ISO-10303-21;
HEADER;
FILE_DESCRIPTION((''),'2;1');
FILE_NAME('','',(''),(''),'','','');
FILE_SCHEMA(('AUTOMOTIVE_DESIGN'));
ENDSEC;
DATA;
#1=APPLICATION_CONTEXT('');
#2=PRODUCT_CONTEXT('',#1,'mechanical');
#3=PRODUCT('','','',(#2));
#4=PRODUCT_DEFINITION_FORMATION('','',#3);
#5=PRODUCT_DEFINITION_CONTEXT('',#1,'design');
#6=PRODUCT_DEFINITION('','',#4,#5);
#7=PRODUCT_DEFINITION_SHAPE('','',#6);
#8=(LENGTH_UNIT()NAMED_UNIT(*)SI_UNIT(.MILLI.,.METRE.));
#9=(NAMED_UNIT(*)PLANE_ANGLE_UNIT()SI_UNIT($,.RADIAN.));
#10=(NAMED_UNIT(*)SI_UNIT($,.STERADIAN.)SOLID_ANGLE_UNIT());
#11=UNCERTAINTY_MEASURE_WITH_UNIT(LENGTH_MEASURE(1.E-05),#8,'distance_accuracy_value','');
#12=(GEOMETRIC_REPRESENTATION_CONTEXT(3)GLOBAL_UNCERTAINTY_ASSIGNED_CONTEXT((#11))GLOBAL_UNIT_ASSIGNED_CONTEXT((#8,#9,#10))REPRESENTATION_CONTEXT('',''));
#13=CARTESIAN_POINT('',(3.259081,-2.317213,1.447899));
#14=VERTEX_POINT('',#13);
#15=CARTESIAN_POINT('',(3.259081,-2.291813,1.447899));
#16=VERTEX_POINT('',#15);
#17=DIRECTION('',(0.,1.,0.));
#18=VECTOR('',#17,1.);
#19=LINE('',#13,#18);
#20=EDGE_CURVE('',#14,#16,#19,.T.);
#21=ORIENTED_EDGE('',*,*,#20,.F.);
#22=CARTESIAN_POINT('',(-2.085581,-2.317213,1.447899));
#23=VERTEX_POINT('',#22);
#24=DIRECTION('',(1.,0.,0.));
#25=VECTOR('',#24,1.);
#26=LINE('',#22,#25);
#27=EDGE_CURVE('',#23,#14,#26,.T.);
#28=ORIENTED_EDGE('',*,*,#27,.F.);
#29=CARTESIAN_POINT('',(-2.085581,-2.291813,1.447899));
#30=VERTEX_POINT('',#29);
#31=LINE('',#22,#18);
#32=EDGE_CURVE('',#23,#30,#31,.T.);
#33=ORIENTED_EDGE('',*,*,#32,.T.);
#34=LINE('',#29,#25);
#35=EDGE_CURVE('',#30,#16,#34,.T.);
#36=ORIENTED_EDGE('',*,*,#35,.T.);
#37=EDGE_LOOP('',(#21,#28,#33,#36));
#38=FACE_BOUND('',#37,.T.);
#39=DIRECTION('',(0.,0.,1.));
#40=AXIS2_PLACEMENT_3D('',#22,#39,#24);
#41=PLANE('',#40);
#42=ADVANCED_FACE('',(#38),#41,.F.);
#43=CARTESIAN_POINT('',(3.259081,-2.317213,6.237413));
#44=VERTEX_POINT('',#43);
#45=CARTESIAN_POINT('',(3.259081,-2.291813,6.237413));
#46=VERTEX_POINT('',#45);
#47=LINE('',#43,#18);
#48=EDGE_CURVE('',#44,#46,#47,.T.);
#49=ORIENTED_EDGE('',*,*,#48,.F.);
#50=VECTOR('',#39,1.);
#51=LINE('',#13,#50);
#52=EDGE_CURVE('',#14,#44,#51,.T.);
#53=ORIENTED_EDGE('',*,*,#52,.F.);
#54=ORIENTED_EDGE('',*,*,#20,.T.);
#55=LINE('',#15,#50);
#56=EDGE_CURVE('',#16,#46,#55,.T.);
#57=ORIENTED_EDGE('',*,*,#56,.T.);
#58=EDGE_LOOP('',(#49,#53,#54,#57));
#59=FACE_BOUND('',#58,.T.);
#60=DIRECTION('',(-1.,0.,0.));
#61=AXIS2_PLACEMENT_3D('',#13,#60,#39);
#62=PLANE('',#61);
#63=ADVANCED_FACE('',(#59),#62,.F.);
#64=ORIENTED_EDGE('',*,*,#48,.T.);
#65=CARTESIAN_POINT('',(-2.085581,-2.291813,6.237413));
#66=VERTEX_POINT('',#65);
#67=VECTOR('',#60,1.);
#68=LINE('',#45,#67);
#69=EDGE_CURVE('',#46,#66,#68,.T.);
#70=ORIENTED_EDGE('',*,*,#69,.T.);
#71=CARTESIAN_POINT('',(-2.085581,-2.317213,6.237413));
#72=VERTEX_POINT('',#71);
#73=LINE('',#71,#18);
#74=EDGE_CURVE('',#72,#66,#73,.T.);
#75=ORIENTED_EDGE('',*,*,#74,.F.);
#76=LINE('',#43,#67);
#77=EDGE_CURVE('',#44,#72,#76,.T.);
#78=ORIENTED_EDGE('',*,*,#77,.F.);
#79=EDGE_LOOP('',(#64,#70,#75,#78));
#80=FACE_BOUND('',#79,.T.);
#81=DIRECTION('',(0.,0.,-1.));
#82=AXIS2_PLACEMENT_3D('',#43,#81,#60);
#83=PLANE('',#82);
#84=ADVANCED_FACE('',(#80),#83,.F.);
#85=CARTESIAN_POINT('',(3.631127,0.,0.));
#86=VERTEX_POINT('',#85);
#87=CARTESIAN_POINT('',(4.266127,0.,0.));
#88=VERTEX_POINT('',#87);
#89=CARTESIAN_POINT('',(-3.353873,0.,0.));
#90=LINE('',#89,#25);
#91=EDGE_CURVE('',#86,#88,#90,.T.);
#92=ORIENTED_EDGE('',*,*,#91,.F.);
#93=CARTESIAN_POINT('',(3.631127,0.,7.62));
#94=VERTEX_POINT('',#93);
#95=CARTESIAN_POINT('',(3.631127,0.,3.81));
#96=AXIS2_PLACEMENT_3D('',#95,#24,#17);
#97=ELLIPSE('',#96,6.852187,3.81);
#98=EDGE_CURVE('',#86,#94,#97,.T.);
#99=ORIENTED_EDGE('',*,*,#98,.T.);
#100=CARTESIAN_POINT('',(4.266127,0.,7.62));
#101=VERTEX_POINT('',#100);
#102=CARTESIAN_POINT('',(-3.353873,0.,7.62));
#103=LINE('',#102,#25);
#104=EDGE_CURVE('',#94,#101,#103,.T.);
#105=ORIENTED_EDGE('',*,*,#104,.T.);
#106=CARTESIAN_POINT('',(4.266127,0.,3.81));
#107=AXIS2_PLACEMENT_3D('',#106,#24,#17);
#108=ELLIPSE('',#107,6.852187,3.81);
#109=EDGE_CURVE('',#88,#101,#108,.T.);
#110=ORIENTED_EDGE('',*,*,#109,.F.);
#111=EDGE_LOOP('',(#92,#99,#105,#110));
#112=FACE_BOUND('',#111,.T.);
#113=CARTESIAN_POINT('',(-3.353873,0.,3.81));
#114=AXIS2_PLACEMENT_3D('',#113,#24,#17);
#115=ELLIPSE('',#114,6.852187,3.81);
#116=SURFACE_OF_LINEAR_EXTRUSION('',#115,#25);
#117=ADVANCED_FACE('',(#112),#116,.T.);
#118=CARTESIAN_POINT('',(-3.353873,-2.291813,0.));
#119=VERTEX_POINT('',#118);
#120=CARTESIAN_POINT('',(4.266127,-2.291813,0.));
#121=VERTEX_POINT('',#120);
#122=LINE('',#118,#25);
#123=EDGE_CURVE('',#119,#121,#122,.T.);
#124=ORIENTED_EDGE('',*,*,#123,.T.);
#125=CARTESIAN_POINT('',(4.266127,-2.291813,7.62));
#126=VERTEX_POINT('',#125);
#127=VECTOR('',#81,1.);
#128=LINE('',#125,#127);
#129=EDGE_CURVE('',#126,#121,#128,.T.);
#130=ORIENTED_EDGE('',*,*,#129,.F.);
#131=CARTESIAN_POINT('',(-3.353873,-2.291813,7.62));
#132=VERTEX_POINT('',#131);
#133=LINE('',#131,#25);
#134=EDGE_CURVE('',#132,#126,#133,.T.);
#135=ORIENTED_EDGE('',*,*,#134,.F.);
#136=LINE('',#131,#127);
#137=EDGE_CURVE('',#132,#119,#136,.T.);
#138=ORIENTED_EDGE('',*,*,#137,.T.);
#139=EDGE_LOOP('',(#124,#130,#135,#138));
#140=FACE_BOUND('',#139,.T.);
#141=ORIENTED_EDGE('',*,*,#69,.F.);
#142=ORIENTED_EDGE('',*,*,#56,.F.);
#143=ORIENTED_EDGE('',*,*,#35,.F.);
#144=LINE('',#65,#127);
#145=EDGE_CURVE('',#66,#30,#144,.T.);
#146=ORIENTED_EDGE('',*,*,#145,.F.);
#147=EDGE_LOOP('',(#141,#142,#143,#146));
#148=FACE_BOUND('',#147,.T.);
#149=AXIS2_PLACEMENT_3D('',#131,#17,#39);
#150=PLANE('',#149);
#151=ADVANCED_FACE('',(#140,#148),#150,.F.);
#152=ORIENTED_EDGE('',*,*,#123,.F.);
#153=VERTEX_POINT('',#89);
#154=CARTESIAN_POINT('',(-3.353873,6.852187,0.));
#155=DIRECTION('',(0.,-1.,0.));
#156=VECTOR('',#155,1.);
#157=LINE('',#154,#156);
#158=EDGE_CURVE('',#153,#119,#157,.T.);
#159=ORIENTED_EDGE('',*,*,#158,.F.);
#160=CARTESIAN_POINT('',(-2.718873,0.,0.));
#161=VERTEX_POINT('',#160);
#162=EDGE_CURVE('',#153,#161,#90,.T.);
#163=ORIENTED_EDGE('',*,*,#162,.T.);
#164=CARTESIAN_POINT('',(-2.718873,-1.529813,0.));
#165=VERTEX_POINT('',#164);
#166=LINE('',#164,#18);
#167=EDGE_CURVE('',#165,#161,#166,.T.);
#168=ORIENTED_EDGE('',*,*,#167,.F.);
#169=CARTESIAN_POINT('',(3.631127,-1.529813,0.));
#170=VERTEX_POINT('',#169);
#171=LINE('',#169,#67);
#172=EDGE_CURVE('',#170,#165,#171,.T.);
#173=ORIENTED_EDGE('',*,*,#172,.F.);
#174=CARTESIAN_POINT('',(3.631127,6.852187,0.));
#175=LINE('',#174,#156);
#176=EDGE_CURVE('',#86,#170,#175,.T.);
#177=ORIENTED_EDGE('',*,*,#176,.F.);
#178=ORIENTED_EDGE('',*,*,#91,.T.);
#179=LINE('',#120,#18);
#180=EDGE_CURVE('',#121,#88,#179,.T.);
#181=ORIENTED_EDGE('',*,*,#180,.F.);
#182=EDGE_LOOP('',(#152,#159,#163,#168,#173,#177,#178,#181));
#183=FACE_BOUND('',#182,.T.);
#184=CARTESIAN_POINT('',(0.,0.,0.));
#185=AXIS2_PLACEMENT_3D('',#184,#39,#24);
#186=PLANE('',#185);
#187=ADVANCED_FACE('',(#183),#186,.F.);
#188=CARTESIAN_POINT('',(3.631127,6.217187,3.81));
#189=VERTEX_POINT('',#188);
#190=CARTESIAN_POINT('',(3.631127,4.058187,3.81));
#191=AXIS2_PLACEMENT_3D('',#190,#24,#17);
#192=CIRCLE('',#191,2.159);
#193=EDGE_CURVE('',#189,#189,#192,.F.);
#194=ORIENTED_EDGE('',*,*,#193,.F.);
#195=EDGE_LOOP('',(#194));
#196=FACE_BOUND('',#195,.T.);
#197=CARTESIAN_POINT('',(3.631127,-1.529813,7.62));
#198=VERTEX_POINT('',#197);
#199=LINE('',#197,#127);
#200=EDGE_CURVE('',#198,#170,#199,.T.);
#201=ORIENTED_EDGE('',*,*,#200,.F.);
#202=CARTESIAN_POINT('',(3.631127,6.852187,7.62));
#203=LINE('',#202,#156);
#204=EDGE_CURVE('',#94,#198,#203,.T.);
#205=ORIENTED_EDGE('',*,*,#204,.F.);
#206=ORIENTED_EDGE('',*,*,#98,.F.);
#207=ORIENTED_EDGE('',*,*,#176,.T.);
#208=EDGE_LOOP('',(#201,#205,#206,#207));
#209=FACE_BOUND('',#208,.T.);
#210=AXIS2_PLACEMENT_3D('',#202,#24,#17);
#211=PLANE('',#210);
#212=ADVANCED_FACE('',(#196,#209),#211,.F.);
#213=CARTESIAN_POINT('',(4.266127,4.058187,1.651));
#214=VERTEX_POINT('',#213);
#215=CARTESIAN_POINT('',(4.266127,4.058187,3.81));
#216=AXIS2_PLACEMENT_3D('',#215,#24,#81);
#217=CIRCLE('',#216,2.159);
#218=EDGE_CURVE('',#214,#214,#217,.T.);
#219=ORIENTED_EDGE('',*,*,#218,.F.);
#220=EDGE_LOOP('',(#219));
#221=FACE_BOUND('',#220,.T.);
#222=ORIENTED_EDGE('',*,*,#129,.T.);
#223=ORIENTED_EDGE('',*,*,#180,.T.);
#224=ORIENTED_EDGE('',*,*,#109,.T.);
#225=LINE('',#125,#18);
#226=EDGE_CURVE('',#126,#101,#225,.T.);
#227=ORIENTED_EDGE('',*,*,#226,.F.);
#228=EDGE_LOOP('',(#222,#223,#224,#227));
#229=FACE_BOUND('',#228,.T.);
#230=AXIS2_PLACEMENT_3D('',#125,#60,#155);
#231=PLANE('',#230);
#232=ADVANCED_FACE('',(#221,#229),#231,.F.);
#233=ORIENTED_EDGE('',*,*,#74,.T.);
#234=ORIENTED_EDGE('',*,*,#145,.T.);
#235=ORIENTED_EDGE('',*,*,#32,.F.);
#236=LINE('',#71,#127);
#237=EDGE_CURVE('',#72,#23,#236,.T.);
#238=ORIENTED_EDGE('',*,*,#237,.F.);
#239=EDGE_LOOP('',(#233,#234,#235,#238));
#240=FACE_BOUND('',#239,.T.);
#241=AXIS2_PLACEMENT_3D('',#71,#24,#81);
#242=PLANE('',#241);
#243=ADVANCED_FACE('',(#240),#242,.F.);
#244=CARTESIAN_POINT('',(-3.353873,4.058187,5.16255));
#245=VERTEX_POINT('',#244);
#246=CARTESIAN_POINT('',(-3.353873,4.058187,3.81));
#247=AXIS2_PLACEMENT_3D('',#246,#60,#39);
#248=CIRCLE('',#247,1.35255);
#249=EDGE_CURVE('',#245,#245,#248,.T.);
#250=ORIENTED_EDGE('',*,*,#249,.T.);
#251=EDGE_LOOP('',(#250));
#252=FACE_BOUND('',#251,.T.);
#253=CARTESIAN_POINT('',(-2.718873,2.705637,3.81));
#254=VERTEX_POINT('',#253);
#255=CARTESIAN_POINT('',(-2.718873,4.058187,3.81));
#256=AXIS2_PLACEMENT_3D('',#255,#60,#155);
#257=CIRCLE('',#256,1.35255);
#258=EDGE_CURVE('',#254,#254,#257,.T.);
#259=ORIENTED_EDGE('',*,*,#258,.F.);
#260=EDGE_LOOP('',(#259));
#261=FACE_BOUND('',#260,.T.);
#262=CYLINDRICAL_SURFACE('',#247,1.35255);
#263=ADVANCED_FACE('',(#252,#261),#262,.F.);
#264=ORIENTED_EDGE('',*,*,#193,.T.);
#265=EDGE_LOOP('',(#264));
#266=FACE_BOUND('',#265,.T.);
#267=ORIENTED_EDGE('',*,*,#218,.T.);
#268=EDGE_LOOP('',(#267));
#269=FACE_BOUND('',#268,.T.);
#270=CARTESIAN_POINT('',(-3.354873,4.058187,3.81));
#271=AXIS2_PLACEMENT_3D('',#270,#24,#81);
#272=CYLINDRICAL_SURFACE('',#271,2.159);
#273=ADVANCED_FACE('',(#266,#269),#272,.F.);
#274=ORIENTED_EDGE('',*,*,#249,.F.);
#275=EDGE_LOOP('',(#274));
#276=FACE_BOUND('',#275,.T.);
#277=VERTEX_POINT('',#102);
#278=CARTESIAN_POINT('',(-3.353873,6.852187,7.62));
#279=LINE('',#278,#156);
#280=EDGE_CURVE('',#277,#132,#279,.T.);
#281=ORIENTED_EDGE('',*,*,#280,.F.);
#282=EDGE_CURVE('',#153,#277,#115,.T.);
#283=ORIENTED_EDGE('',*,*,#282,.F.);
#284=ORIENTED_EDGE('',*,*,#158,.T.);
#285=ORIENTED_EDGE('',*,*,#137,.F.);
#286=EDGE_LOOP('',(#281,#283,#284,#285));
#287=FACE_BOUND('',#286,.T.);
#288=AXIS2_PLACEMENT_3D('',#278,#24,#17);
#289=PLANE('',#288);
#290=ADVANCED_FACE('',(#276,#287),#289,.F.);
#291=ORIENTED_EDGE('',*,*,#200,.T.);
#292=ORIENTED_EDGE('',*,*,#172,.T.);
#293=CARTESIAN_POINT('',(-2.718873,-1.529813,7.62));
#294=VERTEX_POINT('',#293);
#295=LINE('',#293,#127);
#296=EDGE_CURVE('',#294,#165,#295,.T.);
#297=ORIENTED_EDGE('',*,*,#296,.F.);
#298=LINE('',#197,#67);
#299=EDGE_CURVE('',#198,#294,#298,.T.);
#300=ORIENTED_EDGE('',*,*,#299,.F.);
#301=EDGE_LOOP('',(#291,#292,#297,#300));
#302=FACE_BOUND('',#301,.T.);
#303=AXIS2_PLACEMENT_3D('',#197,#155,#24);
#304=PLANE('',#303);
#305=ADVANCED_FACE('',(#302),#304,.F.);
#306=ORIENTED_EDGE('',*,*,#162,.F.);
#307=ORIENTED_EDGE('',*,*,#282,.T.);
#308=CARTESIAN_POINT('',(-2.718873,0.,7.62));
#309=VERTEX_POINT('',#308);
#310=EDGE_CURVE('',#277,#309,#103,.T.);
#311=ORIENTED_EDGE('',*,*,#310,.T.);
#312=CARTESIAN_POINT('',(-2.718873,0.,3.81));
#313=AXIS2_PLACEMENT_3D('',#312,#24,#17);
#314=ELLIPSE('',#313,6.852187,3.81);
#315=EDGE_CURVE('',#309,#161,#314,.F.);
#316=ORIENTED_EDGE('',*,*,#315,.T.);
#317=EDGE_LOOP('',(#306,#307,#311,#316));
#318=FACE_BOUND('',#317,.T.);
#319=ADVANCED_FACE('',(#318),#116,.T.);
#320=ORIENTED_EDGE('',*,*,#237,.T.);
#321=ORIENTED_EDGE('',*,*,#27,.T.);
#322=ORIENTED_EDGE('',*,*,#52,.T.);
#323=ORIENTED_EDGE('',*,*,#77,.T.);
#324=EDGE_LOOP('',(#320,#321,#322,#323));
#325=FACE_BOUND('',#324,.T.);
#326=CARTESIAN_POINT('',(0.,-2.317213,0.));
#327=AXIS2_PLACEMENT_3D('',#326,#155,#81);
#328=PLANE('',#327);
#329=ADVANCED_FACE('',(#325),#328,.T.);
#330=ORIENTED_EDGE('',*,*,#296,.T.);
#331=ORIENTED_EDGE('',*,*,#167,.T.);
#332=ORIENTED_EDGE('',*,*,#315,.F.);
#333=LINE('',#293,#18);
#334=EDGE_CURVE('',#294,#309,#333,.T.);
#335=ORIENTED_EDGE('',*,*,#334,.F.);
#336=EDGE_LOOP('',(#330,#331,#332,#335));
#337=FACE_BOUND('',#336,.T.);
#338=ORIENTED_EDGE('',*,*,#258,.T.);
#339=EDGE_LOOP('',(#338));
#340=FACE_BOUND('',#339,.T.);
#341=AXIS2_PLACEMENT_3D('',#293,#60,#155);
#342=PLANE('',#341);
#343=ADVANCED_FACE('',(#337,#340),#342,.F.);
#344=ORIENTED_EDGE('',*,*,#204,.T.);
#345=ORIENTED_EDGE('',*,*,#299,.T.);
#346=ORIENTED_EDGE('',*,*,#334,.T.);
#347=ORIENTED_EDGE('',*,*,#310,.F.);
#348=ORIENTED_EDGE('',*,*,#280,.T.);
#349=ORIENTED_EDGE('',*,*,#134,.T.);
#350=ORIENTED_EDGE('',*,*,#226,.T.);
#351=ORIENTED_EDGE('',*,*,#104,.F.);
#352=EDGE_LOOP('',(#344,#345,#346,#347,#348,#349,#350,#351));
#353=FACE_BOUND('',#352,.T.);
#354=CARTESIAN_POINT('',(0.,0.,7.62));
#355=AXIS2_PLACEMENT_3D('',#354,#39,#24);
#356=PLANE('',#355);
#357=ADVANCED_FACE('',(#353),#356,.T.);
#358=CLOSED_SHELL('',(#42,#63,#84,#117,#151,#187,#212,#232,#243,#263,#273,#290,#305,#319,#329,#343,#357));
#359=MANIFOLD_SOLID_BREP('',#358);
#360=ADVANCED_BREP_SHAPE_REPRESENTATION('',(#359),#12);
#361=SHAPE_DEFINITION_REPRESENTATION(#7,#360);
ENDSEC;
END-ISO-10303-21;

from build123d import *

# Parameters (mm, degrees)
BOSS_EXTRUDE1_DEPTH       = 7.62
F_6_32_TAPPED_HOLE1_D     = 2.7051
F_6_32_TAPPED_HOLE1_DEPTH = 0.635
CUT_EXTRUDE1_REACH        = 9.62
SKETCH6_R                 = 2.159
CUT_EXTRUDE6_DEPTH        = 8.62
SKETCH27_W                = 5.344661664
SKETCH27_H                = 4.789513508
BOSS_EXTRUDE2_DEPTH       = 0.0254


with BuildPart() as part:
    # Sketch1 → Boss-Extrude1 (new body)
    with BuildSketch(Plane.XY):
        Polygon((-3.353873239, 6.85218662), (-3.353873239, -2.29181338), (4.266126761, -2.29181338), (4.266126761, 6.85218662), (3.631126761, 6.85218662), (3.631126761, -1.52981338), (-2.718873239, -1.52981338), (-2.718873239, 6.85218662), align=None)
    extrude(amount=BOSS_EXTRUDE1_DEPTH)

    # #6-32 Tapped Hole1
    with Locations(Plane.ZY.offset(3.353873239)):
        with Locations((3.81, 4.05818662)):
            Hole(F_6_32_TAPPED_HOLE1_D / 2, depth=F_6_32_TAPPED_HOLE1_DEPTH)

    # Sketch6 → Cut-Extrude1 (cut, up to next)
    with BuildSketch(Plane(origin=(4.266126761, 0, 0), x_dir=(0, 0, -1), z_dir=(1, 0, 0)), mode=Mode.PRIVATE) as cut_extrude1_sk1:
        with Locations((-3.81, 4.05818662)):
            Circle(SKETCH6_R)
    cut_extrude1_tool1 = extrude(cut_extrude1_sk1.sketch, amount=-CUT_EXTRUDE1_REACH, mode=Mode.PRIVATE) & part.part
    add(cut_extrude1_tool1.solids().sort_by_distance((4.266127, 4.058187, 3.81))[0], mode=Mode.SUBTRACT)

    # Sketch26 → Cut-Extrude6 (cut, through all)
    with BuildSketch(Plane(origin=(4.266126761, 0, 0), x_dir=(0, 0, -1), z_dir=(1, 0, 0))):
        with BuildLine():
            add(Edge.make_bspline(
                [(0, 0), (0, 6.85218662), (-3.81, 6.85218662)],
                knots=[4.71238898, 4.71238898, 4.71238898, 6.283185307, 6.283185307, 6.283185307], degree=2, weights=[1, 0.707106781, 1]))
            Line((0, 0), (0, 6.85218662))
            Line((0, 6.85218662), (-3.81, 6.85218662))
        make_face()
        with BuildLine():
            add(Edge.make_bspline(
                [(-3.81, 6.85218662), (-7.62, 6.85218662), (-7.62, 0)],
                knots=[6.283185307, 6.283185307, 6.283185307, 7.853981634, 7.853981634, 7.853981634], degree=2, weights=[1, 0.707106781, 1]))
            Line((-3.81, 6.85218662), (-7.62, 6.85218662))
            Line((-7.62, 6.85218662), (-7.62, 0))
        make_face()
    extrude(amount=-CUT_EXTRUDE6_DEPTH, mode=Mode.SUBTRACT)

    # Sketch27 → Boss-Extrude2 (add)
    with BuildSketch(Plane.XZ.offset(2.29181338)):
        with Locations((0.586749856, 3.842655774)):
            Rectangle(SKETCH27_W, SKETCH27_H)
    extrude(amount=BOSS_EXTRUDE2_DEPTH)


solid = part.part
